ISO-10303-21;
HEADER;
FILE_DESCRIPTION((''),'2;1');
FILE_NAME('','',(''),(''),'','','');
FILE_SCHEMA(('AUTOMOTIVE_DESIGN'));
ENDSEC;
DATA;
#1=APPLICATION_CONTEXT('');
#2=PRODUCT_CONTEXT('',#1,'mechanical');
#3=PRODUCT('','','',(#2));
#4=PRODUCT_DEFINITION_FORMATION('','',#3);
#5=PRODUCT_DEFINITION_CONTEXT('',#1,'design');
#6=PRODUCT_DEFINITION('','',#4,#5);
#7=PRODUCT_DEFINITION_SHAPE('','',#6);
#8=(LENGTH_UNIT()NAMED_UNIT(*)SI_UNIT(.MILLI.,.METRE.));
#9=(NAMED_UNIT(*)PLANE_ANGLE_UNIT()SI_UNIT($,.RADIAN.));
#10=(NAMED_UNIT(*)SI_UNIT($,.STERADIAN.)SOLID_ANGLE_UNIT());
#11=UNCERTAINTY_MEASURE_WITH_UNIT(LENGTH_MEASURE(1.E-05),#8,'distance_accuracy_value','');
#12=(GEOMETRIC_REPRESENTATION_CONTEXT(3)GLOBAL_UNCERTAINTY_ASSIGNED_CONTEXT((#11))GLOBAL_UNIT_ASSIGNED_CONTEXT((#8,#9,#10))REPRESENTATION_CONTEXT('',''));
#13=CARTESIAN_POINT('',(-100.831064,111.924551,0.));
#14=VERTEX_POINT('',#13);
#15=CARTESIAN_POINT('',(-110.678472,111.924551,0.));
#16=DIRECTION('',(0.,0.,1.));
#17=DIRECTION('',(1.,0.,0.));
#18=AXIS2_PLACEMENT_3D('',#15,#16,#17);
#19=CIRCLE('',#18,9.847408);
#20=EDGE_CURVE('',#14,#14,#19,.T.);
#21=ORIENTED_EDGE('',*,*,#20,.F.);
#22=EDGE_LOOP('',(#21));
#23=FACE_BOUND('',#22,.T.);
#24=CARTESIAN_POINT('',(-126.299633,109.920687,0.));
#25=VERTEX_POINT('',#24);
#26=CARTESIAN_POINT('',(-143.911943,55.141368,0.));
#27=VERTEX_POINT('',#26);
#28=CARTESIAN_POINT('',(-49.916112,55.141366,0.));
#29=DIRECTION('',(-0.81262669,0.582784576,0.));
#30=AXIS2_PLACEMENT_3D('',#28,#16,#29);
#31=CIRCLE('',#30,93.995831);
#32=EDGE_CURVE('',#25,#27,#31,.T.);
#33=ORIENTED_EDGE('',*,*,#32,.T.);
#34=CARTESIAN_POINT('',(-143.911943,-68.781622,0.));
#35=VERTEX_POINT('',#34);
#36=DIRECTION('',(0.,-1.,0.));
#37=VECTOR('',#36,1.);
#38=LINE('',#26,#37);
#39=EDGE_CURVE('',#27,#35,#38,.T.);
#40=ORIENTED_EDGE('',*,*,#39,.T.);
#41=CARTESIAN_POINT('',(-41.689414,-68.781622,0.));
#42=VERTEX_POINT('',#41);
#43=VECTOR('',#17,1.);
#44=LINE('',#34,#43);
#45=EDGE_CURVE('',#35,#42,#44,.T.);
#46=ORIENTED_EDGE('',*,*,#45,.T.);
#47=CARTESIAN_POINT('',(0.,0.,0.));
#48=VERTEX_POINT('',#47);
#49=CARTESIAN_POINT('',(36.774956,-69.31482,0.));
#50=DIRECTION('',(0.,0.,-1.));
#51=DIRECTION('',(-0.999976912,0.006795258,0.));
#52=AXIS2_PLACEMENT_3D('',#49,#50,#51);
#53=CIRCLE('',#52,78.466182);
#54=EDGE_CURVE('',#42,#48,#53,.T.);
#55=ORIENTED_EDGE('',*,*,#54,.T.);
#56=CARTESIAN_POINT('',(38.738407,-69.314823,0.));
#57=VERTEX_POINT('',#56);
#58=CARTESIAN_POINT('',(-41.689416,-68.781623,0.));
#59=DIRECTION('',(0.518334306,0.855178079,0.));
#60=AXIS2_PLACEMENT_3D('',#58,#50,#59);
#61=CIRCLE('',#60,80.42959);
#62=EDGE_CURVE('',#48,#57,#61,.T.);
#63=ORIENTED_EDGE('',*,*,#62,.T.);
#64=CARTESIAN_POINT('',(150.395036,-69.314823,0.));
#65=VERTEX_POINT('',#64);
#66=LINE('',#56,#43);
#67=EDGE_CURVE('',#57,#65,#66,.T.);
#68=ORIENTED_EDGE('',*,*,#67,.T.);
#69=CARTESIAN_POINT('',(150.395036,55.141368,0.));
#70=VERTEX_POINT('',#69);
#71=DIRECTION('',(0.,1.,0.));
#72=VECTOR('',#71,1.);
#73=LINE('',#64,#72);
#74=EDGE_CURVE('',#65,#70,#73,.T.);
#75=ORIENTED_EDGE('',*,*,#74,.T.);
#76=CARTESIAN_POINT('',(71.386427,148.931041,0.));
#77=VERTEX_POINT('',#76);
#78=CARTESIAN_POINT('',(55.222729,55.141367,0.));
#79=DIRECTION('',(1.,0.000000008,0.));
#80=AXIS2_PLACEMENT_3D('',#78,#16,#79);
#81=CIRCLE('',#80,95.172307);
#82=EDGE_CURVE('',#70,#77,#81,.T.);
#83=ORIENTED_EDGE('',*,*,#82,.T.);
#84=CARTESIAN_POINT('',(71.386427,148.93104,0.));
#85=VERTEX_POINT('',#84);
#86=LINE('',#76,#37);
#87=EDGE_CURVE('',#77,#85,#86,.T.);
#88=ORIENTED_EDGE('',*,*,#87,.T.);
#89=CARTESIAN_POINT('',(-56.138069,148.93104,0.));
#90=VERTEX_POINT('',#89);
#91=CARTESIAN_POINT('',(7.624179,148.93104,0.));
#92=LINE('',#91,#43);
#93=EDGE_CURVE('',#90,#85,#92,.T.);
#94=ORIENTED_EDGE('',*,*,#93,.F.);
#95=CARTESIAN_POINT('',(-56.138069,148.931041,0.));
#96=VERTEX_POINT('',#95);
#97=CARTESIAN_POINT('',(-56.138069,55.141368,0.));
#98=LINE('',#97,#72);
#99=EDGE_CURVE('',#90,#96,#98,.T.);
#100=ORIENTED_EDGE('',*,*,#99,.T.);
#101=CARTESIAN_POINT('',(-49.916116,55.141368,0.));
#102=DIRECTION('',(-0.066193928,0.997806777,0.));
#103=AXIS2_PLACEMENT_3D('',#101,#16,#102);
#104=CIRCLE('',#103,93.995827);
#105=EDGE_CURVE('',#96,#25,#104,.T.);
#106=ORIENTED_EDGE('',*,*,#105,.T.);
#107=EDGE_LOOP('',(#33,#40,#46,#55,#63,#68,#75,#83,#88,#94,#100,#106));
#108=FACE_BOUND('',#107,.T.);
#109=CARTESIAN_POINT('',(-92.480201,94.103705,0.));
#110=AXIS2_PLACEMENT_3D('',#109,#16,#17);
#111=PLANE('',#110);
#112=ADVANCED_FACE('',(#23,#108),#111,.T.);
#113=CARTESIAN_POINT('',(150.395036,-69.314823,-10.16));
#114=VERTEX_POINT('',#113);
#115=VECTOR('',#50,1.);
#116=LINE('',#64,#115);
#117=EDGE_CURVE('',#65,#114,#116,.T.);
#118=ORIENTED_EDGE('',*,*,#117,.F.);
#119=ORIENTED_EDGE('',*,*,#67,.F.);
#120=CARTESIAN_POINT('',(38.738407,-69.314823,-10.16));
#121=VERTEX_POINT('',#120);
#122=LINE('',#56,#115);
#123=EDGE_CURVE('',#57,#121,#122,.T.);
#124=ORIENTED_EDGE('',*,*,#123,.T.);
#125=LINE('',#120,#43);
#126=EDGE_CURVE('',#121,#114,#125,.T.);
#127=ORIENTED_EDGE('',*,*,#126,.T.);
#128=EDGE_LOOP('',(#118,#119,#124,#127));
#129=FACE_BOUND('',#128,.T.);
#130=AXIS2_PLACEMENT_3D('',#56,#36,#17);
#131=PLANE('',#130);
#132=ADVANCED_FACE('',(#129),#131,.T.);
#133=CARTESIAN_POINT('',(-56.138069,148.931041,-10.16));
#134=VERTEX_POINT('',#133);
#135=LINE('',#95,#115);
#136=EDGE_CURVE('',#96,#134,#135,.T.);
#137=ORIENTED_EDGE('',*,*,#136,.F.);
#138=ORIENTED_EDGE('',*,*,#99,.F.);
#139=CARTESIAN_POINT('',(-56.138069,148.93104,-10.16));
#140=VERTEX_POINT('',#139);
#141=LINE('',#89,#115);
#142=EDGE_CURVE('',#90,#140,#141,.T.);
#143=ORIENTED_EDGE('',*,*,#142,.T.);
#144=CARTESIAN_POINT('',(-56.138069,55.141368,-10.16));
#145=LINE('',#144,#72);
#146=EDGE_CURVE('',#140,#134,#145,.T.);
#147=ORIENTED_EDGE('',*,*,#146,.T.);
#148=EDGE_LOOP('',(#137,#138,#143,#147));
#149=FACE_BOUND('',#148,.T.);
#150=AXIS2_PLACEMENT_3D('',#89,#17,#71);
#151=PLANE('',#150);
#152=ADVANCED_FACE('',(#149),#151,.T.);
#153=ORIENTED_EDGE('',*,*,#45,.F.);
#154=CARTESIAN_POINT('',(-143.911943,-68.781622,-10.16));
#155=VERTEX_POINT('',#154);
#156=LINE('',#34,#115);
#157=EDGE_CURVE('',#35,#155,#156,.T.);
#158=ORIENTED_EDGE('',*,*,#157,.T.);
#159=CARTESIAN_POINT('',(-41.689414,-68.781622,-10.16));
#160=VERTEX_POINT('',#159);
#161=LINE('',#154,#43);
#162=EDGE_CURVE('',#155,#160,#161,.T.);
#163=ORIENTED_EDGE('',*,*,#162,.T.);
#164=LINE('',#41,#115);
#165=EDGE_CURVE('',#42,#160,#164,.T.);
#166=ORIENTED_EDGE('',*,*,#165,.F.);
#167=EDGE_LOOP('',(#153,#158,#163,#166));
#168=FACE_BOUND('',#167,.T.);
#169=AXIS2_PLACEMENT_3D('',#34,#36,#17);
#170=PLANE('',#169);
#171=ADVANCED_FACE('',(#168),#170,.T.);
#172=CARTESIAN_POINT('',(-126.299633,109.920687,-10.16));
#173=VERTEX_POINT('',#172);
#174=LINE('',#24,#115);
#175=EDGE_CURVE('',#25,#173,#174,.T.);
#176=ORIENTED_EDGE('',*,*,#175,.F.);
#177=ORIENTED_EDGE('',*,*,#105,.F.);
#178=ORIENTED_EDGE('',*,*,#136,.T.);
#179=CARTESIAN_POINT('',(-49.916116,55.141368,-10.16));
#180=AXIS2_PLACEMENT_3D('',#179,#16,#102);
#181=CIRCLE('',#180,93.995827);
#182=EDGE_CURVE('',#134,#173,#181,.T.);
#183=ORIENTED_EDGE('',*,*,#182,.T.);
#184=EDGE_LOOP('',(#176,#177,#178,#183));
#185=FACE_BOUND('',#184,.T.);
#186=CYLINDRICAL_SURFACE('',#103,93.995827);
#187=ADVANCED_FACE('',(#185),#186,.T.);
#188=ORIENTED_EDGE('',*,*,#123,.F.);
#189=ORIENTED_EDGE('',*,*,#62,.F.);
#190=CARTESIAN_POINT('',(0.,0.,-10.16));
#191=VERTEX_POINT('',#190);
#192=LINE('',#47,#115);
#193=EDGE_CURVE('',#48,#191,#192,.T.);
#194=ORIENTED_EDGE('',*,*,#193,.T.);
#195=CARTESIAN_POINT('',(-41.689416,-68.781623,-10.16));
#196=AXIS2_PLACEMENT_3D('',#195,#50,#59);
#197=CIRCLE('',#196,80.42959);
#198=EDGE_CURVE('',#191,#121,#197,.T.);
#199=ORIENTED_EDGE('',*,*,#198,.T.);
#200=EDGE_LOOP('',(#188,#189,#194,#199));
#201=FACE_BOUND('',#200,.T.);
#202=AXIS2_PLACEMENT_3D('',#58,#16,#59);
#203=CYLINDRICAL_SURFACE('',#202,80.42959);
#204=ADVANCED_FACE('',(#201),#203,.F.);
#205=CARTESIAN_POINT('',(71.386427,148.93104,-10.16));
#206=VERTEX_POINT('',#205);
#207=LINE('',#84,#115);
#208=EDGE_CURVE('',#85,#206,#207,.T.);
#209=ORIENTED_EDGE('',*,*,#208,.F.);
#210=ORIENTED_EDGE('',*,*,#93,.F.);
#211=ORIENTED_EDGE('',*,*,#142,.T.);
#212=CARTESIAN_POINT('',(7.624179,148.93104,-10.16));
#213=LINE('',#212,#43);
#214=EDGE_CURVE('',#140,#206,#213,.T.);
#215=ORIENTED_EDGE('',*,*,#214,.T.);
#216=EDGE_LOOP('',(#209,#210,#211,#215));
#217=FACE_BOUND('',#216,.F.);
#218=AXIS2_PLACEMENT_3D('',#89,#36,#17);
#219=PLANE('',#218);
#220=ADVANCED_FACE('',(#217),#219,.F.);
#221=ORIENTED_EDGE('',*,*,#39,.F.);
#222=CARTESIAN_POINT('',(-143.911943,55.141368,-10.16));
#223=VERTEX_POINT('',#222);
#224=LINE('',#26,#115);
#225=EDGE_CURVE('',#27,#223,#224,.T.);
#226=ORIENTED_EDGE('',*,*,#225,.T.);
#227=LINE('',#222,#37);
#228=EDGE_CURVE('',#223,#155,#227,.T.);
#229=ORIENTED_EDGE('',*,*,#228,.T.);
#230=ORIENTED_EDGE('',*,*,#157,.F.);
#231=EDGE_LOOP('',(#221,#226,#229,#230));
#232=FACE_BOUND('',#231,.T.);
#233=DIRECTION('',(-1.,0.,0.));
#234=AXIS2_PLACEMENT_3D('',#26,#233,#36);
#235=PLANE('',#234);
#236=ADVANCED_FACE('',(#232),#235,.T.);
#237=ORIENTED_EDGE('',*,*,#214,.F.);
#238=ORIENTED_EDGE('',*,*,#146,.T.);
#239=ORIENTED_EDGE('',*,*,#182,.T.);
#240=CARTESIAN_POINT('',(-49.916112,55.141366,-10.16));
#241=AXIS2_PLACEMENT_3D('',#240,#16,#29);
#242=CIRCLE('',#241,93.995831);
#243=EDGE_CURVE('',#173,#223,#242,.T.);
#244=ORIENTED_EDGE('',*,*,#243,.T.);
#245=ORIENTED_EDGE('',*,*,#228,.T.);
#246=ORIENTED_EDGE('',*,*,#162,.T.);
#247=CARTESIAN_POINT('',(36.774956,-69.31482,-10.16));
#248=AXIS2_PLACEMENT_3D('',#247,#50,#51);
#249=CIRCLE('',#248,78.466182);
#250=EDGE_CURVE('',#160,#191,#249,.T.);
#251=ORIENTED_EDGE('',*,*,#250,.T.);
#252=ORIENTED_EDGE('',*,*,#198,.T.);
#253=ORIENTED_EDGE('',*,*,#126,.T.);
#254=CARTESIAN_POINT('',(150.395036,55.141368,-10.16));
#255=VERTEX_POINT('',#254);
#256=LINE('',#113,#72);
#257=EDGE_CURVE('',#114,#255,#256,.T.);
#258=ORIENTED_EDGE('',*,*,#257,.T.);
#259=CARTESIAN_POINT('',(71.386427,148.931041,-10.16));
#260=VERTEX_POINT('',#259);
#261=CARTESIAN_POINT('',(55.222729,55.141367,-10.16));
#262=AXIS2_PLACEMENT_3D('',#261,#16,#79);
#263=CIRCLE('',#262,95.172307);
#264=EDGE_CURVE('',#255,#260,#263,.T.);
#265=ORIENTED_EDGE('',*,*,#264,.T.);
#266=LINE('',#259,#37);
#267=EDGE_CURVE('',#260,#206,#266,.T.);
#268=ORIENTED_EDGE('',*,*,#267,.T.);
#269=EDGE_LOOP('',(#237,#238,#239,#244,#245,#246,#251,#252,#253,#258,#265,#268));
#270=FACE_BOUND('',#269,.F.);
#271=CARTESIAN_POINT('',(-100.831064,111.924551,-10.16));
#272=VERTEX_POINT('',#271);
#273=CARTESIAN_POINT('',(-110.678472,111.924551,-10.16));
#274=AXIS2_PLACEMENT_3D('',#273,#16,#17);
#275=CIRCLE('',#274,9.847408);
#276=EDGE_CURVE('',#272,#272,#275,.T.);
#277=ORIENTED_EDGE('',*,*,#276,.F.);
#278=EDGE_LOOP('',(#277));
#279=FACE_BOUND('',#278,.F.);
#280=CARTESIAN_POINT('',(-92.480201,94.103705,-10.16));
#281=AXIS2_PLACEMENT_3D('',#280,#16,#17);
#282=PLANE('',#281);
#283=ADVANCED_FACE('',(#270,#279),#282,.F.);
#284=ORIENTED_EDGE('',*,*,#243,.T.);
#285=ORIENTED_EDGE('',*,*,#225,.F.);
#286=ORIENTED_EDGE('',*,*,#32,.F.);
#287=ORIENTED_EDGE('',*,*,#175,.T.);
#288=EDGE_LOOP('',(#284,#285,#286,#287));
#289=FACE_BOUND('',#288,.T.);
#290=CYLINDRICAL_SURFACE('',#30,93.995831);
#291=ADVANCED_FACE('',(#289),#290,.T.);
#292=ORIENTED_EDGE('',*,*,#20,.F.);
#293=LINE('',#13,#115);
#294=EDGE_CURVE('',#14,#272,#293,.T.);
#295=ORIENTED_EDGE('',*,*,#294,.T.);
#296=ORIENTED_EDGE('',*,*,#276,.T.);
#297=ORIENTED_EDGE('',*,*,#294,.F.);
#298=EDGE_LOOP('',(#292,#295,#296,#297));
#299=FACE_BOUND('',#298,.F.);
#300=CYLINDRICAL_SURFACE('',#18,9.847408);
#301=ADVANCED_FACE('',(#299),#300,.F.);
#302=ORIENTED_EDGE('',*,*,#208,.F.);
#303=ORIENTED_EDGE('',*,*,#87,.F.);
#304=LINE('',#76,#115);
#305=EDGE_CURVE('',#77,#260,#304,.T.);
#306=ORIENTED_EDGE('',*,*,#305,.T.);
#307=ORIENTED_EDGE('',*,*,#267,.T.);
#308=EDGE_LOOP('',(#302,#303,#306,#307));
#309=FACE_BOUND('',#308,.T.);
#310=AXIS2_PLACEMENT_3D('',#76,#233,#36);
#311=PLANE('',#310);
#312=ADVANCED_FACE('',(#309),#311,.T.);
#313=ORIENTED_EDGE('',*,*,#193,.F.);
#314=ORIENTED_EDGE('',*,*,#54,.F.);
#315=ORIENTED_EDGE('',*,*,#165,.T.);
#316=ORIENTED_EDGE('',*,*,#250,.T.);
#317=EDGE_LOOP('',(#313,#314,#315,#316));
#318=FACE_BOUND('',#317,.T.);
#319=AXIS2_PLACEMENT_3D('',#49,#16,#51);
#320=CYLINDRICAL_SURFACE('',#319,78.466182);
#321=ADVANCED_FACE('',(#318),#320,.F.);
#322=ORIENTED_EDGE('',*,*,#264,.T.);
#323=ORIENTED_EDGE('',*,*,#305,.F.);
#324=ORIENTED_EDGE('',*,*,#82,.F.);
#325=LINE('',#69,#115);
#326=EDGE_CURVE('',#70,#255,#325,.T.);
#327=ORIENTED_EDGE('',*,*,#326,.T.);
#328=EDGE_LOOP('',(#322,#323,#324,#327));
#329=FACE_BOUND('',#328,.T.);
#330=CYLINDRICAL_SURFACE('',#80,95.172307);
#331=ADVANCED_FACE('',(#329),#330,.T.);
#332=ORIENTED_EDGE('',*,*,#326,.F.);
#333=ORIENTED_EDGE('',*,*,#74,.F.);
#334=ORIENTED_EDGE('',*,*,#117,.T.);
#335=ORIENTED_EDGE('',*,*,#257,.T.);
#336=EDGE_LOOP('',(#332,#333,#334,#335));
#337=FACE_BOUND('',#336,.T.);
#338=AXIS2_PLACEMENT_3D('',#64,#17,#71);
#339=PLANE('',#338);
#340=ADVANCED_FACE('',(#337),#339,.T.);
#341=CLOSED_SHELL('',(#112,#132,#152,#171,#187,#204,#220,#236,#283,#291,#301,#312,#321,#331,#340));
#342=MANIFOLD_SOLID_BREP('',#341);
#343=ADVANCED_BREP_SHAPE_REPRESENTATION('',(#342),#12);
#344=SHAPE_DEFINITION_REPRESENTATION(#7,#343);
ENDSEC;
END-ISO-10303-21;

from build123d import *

# Parameters (mm, degrees)
F0_R     = 9.847408
F0_W     = 127.524496
F0_H     = 93.789673
F1_DEPTH = 10.16


with BuildPart() as f1:
    # F0 (on Top) → F1 (new body)
    with BuildSketch(Plane.XY):
        with BuildLine():
            ThreePointArc((-126.299633, 109.920687), (-139.400604, 83.911871), (-143.911943, 55.141368))
            Line((-143.911943, 55.141368), (-56.138069, 55.141368))
            Line((-56.138069, 55.141368), (-56.138069, 148.931041))
            ThreePointArc((-56.138069, 148.931041), (-95.592892, 137.292738), (-126.299633, 109.920687))
        make_face()
        with Locations((-110.678472, 111.924551)):
            Circle(F0_R, mode=Mode.SUBTRACT)
        with BuildLine():
            Line((-56.138069, 55.141368), (-143.911943, 55.141368))
            Line((-143.911943, 55.141368), (-143.911943, -68.781622))
            Line((-143.911943, -68.781622), (-41.689414, -68.781622))
            ThreePointArc((-41.689414, -68.781622), (-30.327603, -28.643107), (0, 0))
            ThreePointArc((0, 0), (28.519495, -29.543531), (38.738407, -69.314823))
            Line((38.738407, -69.314823), (150.395036, -69.314823))
            Line((150.395036, -69.314823), (150.395036, 55.141368))
            Line((150.395036, 55.141368), (71.386427, 55.141368))
            Line((71.386427, 55.141368), (-56.138069, 55.141368))
        make_face()
        with Locations((7.624179, 102.036204)):
            Rectangle(F0_W, F0_H)
        with BuildLine():
            Line((71.386427, 148.931041), (71.386427, 55.141368))
            Line((71.386427, 55.141368), (150.395036, 55.141368))
            ThreePointArc((150.395036, 55.141368), (128.010449, 116.457889), (71.386427, 148.931041))
        make_face()
    extrude(amount=-F1_DEPTH)


solid = f1.part
